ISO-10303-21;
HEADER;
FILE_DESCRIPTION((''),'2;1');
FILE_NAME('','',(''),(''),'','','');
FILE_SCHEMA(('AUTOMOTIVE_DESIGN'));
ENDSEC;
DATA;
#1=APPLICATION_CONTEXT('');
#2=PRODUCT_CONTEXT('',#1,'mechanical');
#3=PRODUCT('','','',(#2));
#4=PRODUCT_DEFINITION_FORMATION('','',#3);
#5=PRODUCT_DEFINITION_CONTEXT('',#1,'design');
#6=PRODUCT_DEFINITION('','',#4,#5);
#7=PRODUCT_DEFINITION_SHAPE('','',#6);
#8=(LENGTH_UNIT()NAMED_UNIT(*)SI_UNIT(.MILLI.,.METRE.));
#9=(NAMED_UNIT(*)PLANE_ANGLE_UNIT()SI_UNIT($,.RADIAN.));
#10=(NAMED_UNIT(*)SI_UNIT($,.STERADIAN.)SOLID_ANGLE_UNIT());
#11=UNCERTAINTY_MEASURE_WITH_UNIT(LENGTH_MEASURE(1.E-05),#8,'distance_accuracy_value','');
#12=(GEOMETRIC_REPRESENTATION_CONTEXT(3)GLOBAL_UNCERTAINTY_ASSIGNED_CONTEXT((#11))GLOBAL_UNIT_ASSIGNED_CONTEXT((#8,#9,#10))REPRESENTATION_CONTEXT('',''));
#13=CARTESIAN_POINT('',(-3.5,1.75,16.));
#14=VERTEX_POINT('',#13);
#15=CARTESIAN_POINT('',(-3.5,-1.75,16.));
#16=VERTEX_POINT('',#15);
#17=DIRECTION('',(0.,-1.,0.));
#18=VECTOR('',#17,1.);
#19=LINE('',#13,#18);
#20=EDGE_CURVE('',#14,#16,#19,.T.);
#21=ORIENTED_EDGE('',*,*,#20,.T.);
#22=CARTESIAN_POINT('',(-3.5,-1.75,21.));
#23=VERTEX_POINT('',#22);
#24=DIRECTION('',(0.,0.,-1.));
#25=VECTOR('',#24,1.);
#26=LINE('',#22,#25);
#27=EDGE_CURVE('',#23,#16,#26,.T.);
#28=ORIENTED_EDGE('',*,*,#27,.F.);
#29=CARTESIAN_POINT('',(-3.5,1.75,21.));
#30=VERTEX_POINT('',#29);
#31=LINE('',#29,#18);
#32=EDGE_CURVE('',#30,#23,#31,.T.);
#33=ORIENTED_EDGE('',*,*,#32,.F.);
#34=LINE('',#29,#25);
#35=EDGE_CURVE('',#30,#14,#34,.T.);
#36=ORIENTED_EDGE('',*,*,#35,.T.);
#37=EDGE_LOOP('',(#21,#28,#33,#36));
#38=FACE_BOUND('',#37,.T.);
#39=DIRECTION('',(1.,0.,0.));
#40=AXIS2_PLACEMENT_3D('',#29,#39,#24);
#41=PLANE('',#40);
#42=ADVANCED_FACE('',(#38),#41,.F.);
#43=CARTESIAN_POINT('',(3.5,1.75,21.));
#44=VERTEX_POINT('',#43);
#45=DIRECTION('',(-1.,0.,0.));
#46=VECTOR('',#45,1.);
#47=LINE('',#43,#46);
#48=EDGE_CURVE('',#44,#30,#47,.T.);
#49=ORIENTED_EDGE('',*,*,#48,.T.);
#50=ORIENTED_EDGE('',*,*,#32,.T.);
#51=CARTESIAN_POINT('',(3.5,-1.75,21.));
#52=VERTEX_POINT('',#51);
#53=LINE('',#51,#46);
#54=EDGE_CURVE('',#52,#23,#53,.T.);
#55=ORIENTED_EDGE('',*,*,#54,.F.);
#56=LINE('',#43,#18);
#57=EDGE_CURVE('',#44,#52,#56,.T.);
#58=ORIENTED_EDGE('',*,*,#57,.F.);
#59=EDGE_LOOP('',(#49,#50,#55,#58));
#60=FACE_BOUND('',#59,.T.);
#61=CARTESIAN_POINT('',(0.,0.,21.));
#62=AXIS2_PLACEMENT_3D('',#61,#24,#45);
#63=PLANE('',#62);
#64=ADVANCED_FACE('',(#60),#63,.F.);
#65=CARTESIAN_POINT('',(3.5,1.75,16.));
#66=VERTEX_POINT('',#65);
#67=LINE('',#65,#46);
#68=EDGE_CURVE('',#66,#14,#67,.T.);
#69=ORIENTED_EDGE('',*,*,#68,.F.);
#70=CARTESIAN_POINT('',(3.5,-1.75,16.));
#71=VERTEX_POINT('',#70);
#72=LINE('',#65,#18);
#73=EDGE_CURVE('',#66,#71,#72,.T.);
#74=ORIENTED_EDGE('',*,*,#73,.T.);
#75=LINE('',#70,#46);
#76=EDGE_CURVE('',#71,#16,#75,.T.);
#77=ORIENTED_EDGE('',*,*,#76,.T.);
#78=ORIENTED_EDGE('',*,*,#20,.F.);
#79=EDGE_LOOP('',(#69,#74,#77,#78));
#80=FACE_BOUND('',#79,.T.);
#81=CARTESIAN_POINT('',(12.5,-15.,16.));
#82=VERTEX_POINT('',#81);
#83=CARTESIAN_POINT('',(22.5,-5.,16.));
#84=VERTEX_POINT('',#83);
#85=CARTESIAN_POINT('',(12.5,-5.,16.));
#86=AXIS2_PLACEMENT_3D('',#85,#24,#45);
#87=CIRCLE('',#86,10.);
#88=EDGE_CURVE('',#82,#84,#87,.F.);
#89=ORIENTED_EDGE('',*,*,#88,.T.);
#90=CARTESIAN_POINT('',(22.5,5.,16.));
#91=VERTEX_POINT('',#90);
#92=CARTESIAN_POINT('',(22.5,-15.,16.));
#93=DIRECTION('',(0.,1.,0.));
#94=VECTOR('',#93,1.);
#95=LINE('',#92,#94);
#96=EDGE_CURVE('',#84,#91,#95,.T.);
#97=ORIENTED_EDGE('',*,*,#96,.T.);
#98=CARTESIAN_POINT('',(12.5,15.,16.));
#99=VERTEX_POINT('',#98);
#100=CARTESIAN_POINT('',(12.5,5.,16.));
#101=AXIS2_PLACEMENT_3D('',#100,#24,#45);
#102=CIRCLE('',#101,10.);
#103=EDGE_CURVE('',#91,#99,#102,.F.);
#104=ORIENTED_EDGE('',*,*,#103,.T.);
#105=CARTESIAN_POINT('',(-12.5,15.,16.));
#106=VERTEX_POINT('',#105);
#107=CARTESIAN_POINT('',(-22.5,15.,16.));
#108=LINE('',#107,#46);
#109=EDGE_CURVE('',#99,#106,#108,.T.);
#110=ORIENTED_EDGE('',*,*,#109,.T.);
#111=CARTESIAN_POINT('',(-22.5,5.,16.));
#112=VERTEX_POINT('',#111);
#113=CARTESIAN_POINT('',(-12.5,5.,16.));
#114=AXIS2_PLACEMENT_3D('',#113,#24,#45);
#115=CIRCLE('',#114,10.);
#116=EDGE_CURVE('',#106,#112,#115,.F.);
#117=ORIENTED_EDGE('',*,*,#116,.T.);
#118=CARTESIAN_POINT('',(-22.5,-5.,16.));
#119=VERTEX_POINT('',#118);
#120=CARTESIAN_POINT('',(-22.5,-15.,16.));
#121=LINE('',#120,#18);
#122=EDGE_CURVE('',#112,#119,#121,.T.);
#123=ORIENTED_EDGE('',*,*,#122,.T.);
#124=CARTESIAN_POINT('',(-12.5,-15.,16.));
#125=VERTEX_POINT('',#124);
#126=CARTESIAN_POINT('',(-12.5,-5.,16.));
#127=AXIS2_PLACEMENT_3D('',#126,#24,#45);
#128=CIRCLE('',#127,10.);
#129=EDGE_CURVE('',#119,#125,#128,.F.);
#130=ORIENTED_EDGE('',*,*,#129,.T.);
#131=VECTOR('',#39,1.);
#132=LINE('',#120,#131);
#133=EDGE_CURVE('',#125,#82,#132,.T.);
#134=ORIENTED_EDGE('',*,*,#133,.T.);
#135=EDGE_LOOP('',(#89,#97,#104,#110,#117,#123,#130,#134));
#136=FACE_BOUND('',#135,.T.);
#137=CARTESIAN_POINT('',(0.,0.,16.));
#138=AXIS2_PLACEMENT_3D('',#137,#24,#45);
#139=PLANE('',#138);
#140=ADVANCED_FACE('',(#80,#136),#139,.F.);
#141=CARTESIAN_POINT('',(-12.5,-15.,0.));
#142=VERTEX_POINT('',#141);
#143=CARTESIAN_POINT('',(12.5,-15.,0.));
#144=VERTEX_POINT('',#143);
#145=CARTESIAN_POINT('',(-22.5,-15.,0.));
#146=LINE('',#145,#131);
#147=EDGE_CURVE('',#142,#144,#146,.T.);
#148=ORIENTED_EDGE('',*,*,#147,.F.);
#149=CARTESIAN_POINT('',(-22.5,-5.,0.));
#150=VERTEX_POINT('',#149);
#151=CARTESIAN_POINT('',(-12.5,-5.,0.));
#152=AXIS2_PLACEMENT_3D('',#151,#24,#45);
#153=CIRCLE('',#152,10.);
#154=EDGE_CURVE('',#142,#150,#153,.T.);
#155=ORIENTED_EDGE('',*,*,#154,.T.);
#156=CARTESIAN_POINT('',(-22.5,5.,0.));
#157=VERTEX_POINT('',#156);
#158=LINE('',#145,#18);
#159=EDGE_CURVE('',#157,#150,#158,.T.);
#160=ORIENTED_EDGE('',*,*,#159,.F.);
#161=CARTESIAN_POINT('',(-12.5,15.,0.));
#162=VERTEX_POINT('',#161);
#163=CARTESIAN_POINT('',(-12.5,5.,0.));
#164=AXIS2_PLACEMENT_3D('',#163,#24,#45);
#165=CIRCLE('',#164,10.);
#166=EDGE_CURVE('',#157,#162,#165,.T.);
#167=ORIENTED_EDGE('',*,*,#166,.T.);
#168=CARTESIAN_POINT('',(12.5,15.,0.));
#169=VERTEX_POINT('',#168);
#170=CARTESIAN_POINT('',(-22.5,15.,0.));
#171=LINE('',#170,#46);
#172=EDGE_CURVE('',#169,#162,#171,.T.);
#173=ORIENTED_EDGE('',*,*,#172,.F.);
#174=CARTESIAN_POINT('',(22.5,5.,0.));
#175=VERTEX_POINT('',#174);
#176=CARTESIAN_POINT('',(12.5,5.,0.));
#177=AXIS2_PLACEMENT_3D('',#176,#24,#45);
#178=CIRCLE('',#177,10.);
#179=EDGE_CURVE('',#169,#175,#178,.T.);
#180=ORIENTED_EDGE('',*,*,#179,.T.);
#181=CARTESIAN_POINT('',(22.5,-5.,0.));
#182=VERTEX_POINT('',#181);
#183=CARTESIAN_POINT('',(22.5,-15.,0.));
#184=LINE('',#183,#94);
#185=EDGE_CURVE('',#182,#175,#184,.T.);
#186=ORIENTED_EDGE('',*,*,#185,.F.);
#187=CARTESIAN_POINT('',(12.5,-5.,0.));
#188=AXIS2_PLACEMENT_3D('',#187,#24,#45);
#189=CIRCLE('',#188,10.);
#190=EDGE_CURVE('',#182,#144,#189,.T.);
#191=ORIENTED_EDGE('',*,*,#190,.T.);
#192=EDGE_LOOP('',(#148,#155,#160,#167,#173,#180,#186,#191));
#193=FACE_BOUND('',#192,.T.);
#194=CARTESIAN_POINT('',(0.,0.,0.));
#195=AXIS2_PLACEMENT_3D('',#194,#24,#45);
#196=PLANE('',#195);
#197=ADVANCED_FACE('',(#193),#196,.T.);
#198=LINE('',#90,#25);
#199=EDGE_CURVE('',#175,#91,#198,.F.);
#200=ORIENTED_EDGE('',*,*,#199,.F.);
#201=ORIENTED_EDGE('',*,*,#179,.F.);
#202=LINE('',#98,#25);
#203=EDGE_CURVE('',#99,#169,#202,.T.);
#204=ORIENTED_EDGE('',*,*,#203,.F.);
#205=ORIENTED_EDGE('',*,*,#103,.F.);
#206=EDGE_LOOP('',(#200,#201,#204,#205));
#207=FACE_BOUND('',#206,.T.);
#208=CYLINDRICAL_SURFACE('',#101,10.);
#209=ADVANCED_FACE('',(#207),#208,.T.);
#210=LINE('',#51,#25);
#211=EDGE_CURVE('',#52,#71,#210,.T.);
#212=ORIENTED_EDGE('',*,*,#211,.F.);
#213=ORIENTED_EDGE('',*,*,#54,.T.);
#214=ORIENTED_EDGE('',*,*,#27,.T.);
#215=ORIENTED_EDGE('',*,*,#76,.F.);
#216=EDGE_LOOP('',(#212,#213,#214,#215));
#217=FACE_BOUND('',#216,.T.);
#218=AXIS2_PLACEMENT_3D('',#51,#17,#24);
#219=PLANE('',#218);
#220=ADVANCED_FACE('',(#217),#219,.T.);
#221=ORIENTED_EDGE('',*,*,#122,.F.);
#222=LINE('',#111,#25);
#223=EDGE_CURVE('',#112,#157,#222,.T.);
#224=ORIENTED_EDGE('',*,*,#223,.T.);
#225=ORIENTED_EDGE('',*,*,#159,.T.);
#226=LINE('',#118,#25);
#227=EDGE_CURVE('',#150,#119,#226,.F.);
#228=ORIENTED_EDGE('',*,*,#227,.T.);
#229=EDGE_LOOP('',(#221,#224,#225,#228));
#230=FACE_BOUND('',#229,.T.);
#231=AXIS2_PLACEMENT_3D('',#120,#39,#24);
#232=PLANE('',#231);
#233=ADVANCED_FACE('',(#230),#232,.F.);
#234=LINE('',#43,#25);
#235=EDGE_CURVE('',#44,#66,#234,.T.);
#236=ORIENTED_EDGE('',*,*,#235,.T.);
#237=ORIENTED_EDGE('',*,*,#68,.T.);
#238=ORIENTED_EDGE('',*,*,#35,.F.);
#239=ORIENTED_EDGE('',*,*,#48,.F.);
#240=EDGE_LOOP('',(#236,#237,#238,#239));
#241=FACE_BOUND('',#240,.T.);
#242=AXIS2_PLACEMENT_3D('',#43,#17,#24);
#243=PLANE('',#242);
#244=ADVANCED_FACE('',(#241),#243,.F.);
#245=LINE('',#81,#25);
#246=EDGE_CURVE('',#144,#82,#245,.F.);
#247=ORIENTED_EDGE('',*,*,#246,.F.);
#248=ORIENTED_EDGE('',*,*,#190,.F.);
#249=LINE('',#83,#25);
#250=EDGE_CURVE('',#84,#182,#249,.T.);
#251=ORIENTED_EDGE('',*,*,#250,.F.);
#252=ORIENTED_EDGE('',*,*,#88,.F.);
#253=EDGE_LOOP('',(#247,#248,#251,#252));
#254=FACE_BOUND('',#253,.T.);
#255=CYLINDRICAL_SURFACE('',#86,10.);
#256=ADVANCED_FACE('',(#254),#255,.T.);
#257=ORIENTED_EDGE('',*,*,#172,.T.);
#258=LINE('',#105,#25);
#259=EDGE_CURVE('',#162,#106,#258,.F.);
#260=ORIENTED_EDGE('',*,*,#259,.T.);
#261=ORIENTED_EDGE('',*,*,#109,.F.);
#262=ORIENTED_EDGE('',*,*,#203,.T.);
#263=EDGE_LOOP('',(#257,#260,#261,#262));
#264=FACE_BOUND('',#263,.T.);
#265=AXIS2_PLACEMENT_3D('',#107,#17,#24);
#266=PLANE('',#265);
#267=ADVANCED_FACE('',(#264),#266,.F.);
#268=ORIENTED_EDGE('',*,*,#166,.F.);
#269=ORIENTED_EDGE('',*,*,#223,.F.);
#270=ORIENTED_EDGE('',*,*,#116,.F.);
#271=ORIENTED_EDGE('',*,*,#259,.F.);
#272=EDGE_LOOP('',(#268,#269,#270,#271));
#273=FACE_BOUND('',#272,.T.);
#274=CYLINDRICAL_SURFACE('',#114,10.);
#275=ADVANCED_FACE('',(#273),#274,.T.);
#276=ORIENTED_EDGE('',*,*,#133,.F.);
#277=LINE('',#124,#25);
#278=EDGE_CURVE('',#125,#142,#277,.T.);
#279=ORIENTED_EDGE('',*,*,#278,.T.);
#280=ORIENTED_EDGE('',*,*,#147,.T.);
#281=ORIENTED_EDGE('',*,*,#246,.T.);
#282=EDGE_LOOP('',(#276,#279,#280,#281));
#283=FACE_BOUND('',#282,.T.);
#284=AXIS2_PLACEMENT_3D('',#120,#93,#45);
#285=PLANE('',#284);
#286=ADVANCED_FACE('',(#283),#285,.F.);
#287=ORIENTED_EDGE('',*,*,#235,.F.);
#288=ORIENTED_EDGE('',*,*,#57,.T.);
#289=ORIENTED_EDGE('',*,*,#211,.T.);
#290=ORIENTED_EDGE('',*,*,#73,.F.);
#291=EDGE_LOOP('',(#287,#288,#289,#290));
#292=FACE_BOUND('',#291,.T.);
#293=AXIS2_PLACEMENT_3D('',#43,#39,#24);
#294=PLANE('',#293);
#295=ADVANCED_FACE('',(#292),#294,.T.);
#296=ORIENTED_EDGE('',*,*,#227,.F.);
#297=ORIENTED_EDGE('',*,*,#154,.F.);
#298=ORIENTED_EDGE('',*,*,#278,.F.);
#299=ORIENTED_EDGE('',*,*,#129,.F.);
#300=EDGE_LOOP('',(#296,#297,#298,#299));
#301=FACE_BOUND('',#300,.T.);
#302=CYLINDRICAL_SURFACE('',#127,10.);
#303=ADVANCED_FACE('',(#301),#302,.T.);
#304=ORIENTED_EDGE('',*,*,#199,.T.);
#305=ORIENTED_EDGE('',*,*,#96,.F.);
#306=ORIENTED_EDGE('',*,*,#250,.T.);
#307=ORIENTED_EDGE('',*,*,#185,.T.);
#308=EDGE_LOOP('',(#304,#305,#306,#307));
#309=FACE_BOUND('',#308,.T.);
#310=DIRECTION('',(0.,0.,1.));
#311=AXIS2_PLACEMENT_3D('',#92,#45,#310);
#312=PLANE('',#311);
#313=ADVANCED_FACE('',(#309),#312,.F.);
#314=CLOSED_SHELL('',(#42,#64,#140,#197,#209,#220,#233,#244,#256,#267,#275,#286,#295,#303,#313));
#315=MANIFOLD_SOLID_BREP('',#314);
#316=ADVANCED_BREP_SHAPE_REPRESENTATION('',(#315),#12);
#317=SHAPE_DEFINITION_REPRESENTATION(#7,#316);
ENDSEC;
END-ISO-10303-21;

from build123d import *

# Parameters (mm, degrees)
SKETCH1_W           = 45
SKETCH1_H           = 30
BOSS_EXTRUDE1_DEPTH = 16
SKETCH2_W           = 7
SKETCH2_H           = 3.5
BOSS_EXTRUDE2_DEPTH = 5
FILLET1_R           = 10


with BuildPart() as part:
    # Sketch1 → Boss-Extrude1 (new body)
    with BuildSketch(Plane.XY):
        Rectangle(SKETCH1_W, SKETCH1_H)
    extrude(amount=BOSS_EXTRUDE1_DEPTH)

    # Sketch2 → Boss-Extrude2 (add)
    with BuildSketch(Plane.XY.offset(16)):
        Rectangle(SKETCH2_W, SKETCH2_H)
    extrude(amount=BOSS_EXTRUDE2_DEPTH)

    # Fillet1
    fillet1_edges = [part.edges().sort_by_distance(p)[0] for p in [
        (22.5, -15, 8),
        (-22.5, -15, 8),
        (-22.5, 15, 8),
        (22.5, 15, 8),
    ]]
    fillet(fillet1_edges, radius=FILLET1_R)


solid = part.part
